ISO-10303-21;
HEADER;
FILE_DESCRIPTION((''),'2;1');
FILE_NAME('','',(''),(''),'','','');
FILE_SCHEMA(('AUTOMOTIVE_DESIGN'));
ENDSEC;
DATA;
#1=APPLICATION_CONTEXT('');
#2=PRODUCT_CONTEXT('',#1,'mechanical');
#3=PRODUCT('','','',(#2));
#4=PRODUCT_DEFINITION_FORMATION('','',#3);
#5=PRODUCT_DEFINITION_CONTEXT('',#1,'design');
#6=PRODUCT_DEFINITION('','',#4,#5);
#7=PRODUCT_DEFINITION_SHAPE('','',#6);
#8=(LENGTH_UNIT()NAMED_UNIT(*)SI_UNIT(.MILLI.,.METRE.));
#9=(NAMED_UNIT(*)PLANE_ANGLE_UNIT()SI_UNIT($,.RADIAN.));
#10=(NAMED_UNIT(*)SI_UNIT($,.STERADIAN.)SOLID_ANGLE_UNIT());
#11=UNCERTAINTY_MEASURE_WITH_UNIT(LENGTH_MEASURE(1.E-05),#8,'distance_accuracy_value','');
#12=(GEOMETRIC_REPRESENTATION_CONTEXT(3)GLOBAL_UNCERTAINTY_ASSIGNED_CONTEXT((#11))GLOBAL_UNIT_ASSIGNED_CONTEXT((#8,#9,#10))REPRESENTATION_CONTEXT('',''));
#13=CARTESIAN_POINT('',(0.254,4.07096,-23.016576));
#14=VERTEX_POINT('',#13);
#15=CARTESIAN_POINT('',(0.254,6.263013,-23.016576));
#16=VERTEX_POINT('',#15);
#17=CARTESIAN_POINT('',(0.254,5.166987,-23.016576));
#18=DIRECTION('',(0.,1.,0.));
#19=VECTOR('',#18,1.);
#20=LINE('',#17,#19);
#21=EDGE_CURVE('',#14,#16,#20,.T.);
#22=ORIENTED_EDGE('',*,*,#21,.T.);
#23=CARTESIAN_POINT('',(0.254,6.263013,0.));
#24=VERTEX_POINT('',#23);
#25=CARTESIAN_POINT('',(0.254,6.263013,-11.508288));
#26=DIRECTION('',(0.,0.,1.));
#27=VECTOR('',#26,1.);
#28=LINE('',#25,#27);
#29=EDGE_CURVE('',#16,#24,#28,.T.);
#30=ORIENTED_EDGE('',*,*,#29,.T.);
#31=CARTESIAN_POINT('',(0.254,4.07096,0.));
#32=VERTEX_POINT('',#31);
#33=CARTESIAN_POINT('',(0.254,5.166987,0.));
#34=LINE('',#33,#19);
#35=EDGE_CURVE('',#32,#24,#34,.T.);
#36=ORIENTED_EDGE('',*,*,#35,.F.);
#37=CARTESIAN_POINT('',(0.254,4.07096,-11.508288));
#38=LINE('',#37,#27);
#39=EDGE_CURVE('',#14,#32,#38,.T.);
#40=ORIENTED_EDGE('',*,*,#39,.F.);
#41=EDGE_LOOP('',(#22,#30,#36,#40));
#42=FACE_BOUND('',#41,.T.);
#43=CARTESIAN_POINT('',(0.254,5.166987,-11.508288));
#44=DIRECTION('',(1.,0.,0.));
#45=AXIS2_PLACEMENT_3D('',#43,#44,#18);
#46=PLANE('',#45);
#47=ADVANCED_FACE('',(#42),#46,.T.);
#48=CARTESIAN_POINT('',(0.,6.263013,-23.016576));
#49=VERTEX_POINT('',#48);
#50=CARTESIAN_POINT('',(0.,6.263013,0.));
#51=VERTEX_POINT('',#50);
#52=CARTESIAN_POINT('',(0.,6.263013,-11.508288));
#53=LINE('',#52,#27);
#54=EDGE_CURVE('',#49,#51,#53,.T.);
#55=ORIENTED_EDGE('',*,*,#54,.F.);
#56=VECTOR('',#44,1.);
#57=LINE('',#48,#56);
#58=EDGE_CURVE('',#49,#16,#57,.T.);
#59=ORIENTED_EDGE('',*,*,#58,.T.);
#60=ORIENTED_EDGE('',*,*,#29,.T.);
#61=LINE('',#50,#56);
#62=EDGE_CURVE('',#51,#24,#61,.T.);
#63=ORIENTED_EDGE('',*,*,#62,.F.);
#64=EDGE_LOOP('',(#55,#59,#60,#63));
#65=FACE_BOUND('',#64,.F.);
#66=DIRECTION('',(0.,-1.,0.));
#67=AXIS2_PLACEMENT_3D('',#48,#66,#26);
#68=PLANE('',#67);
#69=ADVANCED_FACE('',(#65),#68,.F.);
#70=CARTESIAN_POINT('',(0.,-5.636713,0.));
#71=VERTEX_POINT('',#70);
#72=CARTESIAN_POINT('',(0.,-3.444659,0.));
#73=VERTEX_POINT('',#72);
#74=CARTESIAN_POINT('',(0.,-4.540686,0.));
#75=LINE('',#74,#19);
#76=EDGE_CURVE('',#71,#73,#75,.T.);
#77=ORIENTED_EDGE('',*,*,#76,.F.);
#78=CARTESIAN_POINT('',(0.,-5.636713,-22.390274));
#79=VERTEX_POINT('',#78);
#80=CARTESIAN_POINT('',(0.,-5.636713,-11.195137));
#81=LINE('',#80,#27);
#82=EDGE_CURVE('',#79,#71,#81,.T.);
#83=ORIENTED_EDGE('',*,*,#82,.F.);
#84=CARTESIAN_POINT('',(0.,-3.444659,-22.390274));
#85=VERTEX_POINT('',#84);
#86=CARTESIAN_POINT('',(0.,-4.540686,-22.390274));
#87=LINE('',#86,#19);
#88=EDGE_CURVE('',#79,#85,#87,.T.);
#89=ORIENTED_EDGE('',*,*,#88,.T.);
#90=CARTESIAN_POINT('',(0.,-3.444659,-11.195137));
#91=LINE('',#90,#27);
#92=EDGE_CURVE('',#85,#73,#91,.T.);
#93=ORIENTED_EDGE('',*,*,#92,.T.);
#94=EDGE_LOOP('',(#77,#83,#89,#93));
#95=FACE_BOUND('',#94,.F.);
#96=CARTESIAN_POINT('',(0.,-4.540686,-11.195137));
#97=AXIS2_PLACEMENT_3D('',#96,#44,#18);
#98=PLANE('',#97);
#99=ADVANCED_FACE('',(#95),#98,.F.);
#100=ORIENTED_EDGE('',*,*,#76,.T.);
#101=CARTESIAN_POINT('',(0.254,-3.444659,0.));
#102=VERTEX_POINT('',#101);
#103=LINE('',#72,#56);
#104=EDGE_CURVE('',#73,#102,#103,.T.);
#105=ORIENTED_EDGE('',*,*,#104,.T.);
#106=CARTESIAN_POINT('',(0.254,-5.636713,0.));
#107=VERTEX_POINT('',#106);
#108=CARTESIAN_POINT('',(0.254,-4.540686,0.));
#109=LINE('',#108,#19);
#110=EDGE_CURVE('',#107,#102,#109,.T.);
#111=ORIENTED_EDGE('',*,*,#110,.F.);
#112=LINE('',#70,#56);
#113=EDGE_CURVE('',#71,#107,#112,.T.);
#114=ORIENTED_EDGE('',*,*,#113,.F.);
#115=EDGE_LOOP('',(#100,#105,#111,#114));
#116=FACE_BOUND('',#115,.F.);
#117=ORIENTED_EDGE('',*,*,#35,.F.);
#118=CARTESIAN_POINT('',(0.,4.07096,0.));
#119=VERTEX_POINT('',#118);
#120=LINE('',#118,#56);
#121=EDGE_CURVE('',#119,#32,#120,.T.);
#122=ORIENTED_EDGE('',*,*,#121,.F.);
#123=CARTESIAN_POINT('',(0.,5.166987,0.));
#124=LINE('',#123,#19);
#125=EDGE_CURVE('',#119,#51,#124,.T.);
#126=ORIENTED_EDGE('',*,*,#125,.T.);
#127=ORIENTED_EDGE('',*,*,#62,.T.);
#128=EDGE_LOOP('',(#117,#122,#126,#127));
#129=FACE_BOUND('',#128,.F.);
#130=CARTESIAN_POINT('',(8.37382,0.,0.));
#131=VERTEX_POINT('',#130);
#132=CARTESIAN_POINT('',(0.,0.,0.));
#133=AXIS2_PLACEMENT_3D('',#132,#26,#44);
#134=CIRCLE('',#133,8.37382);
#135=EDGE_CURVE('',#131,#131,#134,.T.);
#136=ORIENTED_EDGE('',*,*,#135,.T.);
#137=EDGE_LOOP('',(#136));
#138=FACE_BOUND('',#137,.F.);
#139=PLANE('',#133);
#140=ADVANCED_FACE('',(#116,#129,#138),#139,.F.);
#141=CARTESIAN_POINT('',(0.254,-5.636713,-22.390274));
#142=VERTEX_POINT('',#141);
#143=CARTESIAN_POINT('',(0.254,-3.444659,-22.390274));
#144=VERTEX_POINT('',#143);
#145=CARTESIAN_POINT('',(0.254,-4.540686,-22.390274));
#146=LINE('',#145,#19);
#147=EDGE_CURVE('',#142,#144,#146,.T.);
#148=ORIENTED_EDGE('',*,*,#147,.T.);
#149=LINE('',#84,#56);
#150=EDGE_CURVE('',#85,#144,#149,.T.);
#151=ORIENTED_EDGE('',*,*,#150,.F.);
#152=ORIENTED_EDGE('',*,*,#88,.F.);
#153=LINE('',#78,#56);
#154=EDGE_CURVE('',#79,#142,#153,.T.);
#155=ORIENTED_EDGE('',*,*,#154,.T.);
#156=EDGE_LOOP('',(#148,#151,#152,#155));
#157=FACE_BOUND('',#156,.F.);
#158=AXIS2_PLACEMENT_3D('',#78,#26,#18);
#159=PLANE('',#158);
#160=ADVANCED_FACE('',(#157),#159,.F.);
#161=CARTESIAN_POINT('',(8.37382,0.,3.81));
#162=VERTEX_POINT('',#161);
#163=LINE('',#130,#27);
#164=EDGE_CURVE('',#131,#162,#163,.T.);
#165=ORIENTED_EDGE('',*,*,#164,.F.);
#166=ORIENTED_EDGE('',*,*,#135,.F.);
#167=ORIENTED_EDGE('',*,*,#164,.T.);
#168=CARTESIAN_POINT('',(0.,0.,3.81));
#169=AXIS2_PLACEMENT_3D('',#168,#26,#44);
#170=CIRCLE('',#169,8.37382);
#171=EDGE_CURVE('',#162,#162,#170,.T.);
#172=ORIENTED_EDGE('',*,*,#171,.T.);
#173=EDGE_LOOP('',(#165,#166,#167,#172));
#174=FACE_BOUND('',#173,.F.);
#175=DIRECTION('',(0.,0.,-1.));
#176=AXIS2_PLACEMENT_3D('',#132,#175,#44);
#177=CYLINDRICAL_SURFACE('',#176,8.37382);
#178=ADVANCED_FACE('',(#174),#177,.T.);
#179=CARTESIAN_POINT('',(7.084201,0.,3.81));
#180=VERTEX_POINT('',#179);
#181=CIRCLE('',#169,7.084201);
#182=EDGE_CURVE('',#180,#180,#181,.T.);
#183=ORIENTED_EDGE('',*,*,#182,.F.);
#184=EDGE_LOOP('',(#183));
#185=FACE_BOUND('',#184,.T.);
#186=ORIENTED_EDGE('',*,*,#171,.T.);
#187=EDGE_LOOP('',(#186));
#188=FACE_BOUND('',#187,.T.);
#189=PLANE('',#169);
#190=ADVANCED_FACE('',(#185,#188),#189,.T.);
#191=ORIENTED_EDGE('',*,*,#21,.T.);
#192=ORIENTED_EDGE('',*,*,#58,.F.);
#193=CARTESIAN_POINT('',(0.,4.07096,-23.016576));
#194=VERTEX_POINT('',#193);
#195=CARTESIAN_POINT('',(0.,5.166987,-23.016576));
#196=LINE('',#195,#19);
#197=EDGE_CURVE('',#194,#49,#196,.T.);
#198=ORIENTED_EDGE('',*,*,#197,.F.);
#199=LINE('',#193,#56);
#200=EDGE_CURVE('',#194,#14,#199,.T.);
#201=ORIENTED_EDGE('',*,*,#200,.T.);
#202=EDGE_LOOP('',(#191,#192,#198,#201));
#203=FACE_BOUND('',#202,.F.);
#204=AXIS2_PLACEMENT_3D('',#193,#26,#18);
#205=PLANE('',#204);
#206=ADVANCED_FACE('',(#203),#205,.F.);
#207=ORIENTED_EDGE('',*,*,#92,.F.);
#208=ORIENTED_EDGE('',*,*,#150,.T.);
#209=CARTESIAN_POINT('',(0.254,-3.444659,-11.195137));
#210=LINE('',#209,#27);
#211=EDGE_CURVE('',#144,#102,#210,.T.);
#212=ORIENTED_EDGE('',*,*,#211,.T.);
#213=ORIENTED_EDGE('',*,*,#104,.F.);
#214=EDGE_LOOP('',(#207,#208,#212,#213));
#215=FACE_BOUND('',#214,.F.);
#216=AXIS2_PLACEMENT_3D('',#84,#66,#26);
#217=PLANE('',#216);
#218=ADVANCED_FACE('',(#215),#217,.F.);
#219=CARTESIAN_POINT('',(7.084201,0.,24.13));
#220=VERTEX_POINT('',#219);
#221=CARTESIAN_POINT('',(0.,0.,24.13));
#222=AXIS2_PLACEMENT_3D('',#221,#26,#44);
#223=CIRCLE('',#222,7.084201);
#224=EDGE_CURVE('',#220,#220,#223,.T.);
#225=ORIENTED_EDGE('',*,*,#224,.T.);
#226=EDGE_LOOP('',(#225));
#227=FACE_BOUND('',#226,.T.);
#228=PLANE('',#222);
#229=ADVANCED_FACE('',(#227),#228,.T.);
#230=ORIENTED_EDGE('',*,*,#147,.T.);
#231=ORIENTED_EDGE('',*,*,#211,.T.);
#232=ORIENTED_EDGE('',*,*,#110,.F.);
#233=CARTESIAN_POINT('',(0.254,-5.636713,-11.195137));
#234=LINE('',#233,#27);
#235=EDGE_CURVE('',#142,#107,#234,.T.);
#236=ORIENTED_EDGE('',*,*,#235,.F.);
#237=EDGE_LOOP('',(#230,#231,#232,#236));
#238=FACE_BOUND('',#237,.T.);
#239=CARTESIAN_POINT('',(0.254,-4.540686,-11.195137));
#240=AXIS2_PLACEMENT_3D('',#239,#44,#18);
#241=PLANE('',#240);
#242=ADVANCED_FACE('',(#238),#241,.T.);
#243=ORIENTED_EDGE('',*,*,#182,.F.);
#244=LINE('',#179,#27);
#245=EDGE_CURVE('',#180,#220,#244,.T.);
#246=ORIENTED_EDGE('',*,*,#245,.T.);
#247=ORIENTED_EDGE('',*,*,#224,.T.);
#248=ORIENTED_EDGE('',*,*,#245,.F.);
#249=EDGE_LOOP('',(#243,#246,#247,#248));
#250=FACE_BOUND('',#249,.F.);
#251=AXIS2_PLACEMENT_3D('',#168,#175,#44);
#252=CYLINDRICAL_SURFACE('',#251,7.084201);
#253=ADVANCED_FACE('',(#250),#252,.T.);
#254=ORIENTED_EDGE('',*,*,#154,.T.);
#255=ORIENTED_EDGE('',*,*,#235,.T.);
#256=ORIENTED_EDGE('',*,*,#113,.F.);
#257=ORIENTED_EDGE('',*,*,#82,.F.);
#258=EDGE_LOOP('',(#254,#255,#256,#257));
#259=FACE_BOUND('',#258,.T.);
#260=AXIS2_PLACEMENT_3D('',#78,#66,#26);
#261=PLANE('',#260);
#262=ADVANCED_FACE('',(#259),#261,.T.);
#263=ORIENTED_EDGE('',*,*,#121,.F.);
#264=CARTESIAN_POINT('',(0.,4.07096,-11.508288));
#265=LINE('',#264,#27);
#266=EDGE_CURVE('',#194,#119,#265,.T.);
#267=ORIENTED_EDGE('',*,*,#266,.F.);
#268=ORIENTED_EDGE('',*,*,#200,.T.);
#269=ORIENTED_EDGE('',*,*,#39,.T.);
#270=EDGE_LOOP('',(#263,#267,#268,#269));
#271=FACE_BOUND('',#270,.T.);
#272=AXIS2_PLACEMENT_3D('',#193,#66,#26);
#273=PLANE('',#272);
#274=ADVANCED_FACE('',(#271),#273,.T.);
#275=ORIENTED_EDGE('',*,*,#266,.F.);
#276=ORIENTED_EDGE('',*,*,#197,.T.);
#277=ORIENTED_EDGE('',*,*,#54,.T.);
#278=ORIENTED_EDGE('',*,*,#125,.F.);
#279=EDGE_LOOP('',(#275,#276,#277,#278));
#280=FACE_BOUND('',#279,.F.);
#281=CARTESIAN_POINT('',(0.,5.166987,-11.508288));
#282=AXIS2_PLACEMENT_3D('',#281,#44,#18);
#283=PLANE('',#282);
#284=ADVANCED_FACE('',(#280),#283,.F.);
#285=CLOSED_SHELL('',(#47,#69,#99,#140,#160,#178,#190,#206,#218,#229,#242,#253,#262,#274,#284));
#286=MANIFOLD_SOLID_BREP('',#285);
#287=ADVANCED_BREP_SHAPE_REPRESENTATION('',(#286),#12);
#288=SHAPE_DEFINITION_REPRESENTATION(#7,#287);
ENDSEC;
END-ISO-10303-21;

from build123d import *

# Parameters (mm, degrees)
F0_R     = 8.37382
F1_DEPTH = 3.81
F2_R     = 7.084201
F3_DEPTH = 20.32
F4_W     = 2.192053
F4_H     = 23.016576
F5_DEPTH = 0.254
F6_W     = 2.192054
F6_H     = 22.390274
F7_DEPTH = 0.254


with BuildPart() as f1:
    # F0 (on Top) → F1 (new body)
    with BuildSketch(Plane.XY):
        Circle(F0_R)
    extrude(amount=F1_DEPTH)

    # F2 (on face) → F3 (join)
    with BuildSketch(Plane.XY.offset(3.81)):
        Circle(F2_R)
    extrude(amount=F3_DEPTH)

    # F4 (on Right) → F5 (join)
    with BuildSketch(Plane.YZ):
        with Locations((5.166987, -11.508288)):
            Rectangle(F4_W, F4_H)
    extrude(amount=F5_DEPTH)

    # F6 (on Right) → F7 (join)
    with BuildSketch(Plane.YZ):
        with Locations((-4.540686, -11.195137)):
            Rectangle(F6_W, F6_H)
    extrude(amount=F7_DEPTH)


solid = f1.part
